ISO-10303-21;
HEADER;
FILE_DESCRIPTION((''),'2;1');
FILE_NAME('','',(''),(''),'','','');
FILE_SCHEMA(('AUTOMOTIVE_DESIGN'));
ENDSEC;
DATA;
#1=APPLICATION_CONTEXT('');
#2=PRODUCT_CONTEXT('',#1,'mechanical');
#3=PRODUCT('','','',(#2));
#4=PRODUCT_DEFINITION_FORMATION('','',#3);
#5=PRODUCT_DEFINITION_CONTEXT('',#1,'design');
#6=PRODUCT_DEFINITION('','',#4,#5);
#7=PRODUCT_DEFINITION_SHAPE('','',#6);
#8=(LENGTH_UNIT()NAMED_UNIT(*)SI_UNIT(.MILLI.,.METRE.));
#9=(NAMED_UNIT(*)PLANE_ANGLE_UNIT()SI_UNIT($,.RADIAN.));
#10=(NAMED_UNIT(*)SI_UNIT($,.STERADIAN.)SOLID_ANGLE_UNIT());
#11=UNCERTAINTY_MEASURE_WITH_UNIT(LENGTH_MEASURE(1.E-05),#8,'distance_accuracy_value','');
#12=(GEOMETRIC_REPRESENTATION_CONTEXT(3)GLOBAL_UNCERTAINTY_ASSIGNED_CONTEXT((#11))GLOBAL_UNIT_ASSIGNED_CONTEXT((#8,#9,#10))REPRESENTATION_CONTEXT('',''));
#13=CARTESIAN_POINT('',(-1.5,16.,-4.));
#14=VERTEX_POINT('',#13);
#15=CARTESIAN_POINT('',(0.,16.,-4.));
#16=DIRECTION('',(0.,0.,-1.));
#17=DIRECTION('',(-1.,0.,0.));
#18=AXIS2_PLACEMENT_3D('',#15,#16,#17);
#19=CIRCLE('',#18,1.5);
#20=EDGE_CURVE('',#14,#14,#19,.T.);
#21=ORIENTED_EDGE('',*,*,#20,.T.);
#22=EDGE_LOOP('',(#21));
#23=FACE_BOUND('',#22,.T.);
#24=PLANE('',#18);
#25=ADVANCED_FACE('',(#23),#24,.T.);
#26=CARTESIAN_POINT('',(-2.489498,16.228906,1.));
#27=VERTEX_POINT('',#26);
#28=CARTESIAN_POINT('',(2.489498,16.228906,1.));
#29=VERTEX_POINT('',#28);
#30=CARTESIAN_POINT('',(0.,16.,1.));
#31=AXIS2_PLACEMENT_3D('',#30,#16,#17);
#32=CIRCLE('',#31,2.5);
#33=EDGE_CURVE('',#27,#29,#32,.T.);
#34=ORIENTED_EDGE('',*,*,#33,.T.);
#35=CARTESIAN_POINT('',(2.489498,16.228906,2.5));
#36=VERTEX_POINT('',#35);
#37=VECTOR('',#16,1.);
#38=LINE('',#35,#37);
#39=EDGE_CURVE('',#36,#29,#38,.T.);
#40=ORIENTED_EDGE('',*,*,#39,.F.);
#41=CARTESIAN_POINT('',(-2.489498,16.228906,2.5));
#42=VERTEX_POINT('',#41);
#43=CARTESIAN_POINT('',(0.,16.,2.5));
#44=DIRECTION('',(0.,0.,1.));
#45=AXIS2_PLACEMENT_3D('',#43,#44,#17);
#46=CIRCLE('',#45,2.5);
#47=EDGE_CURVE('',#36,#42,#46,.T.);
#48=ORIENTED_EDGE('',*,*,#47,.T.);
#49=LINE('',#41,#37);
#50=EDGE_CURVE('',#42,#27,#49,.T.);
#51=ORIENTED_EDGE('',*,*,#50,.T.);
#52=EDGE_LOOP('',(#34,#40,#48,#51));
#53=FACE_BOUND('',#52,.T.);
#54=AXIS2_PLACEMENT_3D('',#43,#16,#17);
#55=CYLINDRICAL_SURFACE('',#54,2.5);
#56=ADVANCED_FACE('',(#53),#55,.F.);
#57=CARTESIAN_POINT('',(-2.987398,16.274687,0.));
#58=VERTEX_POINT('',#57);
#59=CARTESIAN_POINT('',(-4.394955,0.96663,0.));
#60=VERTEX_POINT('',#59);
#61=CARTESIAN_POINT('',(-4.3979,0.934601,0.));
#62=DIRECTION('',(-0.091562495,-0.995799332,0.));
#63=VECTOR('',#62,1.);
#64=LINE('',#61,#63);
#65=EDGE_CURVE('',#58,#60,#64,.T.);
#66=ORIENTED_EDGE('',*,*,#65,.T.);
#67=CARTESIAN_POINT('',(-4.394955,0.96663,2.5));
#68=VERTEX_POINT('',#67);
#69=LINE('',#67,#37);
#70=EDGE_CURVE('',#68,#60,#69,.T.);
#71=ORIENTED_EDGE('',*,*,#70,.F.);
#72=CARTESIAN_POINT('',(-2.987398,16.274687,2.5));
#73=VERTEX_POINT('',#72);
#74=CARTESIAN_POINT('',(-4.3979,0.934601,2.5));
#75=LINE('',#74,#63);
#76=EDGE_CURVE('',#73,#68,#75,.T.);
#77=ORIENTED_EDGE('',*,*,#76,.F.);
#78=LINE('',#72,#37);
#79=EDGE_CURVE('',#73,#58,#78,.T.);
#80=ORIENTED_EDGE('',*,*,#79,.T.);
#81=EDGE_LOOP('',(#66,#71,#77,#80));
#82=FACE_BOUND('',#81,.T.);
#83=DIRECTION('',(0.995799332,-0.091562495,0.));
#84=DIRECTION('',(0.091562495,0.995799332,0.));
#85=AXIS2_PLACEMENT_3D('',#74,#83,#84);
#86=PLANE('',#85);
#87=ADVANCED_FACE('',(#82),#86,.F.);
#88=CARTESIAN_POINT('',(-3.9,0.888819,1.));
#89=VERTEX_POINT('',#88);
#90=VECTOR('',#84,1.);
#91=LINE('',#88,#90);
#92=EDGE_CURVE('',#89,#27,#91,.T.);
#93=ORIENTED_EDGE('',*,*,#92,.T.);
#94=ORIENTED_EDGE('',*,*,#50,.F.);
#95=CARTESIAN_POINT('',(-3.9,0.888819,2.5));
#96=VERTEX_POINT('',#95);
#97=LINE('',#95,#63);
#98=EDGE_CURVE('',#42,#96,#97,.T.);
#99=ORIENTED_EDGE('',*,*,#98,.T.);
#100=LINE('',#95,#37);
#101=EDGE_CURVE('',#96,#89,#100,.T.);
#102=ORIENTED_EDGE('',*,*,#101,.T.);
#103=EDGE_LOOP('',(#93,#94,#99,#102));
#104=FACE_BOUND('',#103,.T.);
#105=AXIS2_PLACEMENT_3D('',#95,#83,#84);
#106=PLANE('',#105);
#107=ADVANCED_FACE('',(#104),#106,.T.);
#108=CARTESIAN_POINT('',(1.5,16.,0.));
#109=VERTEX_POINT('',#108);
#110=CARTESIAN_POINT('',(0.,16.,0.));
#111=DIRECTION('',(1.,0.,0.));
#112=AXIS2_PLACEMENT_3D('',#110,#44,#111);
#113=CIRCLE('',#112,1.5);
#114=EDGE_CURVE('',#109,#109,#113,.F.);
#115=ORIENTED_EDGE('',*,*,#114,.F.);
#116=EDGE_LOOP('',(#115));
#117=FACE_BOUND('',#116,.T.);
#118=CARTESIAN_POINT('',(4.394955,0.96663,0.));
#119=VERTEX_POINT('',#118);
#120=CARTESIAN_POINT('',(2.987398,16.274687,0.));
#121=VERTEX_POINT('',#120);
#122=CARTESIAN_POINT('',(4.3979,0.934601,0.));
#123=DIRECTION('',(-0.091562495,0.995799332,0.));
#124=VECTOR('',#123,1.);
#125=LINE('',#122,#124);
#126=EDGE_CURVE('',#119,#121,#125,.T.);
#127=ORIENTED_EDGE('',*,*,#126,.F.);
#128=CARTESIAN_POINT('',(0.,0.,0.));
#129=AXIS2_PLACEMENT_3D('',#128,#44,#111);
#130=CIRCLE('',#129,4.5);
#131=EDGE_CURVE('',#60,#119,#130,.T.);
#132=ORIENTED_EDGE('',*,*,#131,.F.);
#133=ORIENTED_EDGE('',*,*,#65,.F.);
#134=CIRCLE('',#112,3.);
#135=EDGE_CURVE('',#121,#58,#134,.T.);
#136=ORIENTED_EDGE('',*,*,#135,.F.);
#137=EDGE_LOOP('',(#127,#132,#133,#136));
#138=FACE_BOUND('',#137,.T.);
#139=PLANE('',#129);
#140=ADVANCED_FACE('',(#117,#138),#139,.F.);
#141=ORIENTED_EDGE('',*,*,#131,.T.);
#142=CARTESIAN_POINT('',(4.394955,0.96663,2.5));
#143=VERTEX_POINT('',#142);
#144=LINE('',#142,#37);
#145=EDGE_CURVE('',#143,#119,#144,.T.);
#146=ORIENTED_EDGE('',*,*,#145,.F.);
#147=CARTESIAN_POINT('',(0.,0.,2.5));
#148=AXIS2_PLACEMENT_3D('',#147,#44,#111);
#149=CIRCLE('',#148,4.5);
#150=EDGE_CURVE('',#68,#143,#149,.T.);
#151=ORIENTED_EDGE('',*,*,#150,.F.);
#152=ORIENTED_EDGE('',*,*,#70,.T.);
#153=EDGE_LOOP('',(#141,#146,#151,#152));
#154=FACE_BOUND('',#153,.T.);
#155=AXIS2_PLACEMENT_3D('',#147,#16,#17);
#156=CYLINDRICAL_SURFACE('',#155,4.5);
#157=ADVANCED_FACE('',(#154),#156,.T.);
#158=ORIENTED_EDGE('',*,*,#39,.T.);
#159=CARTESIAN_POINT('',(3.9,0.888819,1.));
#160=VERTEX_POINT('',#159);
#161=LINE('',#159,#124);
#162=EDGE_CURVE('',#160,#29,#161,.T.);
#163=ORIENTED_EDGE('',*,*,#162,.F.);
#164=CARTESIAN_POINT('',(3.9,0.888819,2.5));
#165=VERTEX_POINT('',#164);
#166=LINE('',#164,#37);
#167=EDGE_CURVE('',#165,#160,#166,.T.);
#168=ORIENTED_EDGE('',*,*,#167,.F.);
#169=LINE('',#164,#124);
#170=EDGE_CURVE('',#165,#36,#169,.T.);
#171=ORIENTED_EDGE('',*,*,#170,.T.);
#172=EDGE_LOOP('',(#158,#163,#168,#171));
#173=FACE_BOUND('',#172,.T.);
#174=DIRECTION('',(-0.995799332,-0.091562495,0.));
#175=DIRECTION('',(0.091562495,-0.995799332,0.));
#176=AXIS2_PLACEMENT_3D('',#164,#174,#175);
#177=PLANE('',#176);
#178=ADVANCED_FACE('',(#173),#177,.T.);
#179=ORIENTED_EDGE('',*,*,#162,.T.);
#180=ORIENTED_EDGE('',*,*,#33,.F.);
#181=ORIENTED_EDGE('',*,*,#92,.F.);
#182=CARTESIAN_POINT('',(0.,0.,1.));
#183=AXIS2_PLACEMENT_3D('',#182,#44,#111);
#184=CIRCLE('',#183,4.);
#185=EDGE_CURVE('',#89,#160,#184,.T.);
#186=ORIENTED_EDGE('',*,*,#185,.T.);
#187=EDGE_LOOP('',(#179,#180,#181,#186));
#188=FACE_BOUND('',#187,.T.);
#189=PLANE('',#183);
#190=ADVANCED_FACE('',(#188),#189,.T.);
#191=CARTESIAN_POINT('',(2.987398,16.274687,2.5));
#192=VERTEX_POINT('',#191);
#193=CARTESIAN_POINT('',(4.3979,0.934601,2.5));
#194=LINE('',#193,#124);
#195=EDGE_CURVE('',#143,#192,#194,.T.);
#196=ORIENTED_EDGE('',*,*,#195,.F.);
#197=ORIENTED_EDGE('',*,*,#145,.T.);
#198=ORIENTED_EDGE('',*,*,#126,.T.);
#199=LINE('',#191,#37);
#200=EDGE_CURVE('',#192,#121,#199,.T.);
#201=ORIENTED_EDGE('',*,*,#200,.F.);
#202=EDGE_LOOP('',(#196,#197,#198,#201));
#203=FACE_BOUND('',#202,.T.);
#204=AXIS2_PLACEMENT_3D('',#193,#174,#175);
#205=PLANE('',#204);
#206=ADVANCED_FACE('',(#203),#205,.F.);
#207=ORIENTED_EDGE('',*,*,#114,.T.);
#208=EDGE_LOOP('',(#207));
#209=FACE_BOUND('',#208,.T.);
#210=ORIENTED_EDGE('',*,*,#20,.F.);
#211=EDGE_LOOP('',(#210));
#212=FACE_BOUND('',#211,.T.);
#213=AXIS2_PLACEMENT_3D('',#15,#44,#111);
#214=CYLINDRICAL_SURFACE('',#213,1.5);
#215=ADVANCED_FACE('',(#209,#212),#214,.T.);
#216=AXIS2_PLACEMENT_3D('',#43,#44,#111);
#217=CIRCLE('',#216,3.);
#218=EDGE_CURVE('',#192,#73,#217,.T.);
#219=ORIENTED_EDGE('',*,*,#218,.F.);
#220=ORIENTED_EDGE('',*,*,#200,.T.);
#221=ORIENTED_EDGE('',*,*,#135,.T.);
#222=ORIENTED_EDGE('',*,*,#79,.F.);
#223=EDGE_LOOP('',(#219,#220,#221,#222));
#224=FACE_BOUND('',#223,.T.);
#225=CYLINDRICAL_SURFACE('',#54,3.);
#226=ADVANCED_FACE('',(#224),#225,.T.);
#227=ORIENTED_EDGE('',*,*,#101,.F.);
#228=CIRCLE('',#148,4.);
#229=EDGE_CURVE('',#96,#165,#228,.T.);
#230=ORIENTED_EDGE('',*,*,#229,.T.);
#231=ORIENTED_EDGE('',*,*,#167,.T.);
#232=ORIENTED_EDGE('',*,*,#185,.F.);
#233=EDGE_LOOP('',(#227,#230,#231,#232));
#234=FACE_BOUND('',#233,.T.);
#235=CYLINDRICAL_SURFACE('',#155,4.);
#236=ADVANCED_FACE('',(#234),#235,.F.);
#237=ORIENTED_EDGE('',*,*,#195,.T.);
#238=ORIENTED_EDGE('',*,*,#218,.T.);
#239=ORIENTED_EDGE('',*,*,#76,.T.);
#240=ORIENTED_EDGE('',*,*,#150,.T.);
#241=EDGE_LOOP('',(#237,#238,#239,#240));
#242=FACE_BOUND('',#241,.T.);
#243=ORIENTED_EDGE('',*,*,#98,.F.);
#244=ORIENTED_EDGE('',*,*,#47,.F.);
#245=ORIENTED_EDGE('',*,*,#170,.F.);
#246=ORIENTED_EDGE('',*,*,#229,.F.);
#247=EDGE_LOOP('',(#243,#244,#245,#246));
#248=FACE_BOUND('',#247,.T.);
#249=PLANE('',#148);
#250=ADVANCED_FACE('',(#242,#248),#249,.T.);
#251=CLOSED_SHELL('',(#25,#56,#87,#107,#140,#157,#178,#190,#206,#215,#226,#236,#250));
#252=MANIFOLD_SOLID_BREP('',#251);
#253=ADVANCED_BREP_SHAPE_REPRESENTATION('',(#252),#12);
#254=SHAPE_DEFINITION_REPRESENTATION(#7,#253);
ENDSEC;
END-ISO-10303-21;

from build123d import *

# Parameters (mm, degrees)
BOSS_EXTRUDE1_DEPTH = 1
EXTRUDE_THIN1_DEPTH = 2.5
SKETCH2_R           = 1.5
BOSS_EXTRUDE2_DEPTH = 4


with BuildPart() as part:
    # Sketch1 → Boss-Extrude1 (new body)
    with BuildSketch(Plane.XY):
        with BuildLine():
            Line((-3.9, 0.888819442), (-2.48949833, 16.228906238))
            ThreePointArc((-2.48949833, 16.228906238), (0, 18.5), (2.48949833, 16.228906238))
            Line((2.48949833, 16.228906238), (3.9, 0.888819442))
            ThreePointArc((3.9, 0.888819442), (0, -4), (-3.9, 0.888819442))
        make_face()
    extrude(amount=BOSS_EXTRUDE1_DEPTH)

    # Sketch1<3> → Extrude-Thin1 (add)
    with BuildSketch(Plane.XY):
        with BuildLine():
            Line((-4.394954578, 0.966630363), (-2.987397996, 16.274687485))
            ThreePointArc((-2.987397996, 16.274687485), (0, 19), (2.987397996, 16.274687485))
            Line((2.987397996, 16.274687485), (4.394954578, 0.966630363))
            ThreePointArc((4.394954578, 0.966630363), (0, -4.5), (-4.394954578, 0.966630363))
        make_face()
        with BuildLine():
            Line((-3.9, 0.888819442), (-2.48949833, 16.228906238))
            ThreePointArc((-2.48949833, 16.228906238), (0, 18.5), (2.48949833, 16.228906238))
            Line((2.48949833, 16.228906238), (3.9, 0.888819442))
            ThreePointArc((3.9, 0.888819442), (0, -4), (-3.9, 0.888819442))
        make_face(mode=Mode.SUBTRACT)
    extrude(amount=EXTRUDE_THIN1_DEPTH)

    # Sketch2 → Boss-Extrude2 (add)
    with BuildSketch(Plane(origin=(0, 0, 0), x_dir=(-1, 0, 0), z_dir=(0, 0, -1))):
        with Locations((0, 16)):
            Circle(SKETCH2_R)
    extrude(amount=BOSS_EXTRUDE2_DEPTH)


solid = part.part
